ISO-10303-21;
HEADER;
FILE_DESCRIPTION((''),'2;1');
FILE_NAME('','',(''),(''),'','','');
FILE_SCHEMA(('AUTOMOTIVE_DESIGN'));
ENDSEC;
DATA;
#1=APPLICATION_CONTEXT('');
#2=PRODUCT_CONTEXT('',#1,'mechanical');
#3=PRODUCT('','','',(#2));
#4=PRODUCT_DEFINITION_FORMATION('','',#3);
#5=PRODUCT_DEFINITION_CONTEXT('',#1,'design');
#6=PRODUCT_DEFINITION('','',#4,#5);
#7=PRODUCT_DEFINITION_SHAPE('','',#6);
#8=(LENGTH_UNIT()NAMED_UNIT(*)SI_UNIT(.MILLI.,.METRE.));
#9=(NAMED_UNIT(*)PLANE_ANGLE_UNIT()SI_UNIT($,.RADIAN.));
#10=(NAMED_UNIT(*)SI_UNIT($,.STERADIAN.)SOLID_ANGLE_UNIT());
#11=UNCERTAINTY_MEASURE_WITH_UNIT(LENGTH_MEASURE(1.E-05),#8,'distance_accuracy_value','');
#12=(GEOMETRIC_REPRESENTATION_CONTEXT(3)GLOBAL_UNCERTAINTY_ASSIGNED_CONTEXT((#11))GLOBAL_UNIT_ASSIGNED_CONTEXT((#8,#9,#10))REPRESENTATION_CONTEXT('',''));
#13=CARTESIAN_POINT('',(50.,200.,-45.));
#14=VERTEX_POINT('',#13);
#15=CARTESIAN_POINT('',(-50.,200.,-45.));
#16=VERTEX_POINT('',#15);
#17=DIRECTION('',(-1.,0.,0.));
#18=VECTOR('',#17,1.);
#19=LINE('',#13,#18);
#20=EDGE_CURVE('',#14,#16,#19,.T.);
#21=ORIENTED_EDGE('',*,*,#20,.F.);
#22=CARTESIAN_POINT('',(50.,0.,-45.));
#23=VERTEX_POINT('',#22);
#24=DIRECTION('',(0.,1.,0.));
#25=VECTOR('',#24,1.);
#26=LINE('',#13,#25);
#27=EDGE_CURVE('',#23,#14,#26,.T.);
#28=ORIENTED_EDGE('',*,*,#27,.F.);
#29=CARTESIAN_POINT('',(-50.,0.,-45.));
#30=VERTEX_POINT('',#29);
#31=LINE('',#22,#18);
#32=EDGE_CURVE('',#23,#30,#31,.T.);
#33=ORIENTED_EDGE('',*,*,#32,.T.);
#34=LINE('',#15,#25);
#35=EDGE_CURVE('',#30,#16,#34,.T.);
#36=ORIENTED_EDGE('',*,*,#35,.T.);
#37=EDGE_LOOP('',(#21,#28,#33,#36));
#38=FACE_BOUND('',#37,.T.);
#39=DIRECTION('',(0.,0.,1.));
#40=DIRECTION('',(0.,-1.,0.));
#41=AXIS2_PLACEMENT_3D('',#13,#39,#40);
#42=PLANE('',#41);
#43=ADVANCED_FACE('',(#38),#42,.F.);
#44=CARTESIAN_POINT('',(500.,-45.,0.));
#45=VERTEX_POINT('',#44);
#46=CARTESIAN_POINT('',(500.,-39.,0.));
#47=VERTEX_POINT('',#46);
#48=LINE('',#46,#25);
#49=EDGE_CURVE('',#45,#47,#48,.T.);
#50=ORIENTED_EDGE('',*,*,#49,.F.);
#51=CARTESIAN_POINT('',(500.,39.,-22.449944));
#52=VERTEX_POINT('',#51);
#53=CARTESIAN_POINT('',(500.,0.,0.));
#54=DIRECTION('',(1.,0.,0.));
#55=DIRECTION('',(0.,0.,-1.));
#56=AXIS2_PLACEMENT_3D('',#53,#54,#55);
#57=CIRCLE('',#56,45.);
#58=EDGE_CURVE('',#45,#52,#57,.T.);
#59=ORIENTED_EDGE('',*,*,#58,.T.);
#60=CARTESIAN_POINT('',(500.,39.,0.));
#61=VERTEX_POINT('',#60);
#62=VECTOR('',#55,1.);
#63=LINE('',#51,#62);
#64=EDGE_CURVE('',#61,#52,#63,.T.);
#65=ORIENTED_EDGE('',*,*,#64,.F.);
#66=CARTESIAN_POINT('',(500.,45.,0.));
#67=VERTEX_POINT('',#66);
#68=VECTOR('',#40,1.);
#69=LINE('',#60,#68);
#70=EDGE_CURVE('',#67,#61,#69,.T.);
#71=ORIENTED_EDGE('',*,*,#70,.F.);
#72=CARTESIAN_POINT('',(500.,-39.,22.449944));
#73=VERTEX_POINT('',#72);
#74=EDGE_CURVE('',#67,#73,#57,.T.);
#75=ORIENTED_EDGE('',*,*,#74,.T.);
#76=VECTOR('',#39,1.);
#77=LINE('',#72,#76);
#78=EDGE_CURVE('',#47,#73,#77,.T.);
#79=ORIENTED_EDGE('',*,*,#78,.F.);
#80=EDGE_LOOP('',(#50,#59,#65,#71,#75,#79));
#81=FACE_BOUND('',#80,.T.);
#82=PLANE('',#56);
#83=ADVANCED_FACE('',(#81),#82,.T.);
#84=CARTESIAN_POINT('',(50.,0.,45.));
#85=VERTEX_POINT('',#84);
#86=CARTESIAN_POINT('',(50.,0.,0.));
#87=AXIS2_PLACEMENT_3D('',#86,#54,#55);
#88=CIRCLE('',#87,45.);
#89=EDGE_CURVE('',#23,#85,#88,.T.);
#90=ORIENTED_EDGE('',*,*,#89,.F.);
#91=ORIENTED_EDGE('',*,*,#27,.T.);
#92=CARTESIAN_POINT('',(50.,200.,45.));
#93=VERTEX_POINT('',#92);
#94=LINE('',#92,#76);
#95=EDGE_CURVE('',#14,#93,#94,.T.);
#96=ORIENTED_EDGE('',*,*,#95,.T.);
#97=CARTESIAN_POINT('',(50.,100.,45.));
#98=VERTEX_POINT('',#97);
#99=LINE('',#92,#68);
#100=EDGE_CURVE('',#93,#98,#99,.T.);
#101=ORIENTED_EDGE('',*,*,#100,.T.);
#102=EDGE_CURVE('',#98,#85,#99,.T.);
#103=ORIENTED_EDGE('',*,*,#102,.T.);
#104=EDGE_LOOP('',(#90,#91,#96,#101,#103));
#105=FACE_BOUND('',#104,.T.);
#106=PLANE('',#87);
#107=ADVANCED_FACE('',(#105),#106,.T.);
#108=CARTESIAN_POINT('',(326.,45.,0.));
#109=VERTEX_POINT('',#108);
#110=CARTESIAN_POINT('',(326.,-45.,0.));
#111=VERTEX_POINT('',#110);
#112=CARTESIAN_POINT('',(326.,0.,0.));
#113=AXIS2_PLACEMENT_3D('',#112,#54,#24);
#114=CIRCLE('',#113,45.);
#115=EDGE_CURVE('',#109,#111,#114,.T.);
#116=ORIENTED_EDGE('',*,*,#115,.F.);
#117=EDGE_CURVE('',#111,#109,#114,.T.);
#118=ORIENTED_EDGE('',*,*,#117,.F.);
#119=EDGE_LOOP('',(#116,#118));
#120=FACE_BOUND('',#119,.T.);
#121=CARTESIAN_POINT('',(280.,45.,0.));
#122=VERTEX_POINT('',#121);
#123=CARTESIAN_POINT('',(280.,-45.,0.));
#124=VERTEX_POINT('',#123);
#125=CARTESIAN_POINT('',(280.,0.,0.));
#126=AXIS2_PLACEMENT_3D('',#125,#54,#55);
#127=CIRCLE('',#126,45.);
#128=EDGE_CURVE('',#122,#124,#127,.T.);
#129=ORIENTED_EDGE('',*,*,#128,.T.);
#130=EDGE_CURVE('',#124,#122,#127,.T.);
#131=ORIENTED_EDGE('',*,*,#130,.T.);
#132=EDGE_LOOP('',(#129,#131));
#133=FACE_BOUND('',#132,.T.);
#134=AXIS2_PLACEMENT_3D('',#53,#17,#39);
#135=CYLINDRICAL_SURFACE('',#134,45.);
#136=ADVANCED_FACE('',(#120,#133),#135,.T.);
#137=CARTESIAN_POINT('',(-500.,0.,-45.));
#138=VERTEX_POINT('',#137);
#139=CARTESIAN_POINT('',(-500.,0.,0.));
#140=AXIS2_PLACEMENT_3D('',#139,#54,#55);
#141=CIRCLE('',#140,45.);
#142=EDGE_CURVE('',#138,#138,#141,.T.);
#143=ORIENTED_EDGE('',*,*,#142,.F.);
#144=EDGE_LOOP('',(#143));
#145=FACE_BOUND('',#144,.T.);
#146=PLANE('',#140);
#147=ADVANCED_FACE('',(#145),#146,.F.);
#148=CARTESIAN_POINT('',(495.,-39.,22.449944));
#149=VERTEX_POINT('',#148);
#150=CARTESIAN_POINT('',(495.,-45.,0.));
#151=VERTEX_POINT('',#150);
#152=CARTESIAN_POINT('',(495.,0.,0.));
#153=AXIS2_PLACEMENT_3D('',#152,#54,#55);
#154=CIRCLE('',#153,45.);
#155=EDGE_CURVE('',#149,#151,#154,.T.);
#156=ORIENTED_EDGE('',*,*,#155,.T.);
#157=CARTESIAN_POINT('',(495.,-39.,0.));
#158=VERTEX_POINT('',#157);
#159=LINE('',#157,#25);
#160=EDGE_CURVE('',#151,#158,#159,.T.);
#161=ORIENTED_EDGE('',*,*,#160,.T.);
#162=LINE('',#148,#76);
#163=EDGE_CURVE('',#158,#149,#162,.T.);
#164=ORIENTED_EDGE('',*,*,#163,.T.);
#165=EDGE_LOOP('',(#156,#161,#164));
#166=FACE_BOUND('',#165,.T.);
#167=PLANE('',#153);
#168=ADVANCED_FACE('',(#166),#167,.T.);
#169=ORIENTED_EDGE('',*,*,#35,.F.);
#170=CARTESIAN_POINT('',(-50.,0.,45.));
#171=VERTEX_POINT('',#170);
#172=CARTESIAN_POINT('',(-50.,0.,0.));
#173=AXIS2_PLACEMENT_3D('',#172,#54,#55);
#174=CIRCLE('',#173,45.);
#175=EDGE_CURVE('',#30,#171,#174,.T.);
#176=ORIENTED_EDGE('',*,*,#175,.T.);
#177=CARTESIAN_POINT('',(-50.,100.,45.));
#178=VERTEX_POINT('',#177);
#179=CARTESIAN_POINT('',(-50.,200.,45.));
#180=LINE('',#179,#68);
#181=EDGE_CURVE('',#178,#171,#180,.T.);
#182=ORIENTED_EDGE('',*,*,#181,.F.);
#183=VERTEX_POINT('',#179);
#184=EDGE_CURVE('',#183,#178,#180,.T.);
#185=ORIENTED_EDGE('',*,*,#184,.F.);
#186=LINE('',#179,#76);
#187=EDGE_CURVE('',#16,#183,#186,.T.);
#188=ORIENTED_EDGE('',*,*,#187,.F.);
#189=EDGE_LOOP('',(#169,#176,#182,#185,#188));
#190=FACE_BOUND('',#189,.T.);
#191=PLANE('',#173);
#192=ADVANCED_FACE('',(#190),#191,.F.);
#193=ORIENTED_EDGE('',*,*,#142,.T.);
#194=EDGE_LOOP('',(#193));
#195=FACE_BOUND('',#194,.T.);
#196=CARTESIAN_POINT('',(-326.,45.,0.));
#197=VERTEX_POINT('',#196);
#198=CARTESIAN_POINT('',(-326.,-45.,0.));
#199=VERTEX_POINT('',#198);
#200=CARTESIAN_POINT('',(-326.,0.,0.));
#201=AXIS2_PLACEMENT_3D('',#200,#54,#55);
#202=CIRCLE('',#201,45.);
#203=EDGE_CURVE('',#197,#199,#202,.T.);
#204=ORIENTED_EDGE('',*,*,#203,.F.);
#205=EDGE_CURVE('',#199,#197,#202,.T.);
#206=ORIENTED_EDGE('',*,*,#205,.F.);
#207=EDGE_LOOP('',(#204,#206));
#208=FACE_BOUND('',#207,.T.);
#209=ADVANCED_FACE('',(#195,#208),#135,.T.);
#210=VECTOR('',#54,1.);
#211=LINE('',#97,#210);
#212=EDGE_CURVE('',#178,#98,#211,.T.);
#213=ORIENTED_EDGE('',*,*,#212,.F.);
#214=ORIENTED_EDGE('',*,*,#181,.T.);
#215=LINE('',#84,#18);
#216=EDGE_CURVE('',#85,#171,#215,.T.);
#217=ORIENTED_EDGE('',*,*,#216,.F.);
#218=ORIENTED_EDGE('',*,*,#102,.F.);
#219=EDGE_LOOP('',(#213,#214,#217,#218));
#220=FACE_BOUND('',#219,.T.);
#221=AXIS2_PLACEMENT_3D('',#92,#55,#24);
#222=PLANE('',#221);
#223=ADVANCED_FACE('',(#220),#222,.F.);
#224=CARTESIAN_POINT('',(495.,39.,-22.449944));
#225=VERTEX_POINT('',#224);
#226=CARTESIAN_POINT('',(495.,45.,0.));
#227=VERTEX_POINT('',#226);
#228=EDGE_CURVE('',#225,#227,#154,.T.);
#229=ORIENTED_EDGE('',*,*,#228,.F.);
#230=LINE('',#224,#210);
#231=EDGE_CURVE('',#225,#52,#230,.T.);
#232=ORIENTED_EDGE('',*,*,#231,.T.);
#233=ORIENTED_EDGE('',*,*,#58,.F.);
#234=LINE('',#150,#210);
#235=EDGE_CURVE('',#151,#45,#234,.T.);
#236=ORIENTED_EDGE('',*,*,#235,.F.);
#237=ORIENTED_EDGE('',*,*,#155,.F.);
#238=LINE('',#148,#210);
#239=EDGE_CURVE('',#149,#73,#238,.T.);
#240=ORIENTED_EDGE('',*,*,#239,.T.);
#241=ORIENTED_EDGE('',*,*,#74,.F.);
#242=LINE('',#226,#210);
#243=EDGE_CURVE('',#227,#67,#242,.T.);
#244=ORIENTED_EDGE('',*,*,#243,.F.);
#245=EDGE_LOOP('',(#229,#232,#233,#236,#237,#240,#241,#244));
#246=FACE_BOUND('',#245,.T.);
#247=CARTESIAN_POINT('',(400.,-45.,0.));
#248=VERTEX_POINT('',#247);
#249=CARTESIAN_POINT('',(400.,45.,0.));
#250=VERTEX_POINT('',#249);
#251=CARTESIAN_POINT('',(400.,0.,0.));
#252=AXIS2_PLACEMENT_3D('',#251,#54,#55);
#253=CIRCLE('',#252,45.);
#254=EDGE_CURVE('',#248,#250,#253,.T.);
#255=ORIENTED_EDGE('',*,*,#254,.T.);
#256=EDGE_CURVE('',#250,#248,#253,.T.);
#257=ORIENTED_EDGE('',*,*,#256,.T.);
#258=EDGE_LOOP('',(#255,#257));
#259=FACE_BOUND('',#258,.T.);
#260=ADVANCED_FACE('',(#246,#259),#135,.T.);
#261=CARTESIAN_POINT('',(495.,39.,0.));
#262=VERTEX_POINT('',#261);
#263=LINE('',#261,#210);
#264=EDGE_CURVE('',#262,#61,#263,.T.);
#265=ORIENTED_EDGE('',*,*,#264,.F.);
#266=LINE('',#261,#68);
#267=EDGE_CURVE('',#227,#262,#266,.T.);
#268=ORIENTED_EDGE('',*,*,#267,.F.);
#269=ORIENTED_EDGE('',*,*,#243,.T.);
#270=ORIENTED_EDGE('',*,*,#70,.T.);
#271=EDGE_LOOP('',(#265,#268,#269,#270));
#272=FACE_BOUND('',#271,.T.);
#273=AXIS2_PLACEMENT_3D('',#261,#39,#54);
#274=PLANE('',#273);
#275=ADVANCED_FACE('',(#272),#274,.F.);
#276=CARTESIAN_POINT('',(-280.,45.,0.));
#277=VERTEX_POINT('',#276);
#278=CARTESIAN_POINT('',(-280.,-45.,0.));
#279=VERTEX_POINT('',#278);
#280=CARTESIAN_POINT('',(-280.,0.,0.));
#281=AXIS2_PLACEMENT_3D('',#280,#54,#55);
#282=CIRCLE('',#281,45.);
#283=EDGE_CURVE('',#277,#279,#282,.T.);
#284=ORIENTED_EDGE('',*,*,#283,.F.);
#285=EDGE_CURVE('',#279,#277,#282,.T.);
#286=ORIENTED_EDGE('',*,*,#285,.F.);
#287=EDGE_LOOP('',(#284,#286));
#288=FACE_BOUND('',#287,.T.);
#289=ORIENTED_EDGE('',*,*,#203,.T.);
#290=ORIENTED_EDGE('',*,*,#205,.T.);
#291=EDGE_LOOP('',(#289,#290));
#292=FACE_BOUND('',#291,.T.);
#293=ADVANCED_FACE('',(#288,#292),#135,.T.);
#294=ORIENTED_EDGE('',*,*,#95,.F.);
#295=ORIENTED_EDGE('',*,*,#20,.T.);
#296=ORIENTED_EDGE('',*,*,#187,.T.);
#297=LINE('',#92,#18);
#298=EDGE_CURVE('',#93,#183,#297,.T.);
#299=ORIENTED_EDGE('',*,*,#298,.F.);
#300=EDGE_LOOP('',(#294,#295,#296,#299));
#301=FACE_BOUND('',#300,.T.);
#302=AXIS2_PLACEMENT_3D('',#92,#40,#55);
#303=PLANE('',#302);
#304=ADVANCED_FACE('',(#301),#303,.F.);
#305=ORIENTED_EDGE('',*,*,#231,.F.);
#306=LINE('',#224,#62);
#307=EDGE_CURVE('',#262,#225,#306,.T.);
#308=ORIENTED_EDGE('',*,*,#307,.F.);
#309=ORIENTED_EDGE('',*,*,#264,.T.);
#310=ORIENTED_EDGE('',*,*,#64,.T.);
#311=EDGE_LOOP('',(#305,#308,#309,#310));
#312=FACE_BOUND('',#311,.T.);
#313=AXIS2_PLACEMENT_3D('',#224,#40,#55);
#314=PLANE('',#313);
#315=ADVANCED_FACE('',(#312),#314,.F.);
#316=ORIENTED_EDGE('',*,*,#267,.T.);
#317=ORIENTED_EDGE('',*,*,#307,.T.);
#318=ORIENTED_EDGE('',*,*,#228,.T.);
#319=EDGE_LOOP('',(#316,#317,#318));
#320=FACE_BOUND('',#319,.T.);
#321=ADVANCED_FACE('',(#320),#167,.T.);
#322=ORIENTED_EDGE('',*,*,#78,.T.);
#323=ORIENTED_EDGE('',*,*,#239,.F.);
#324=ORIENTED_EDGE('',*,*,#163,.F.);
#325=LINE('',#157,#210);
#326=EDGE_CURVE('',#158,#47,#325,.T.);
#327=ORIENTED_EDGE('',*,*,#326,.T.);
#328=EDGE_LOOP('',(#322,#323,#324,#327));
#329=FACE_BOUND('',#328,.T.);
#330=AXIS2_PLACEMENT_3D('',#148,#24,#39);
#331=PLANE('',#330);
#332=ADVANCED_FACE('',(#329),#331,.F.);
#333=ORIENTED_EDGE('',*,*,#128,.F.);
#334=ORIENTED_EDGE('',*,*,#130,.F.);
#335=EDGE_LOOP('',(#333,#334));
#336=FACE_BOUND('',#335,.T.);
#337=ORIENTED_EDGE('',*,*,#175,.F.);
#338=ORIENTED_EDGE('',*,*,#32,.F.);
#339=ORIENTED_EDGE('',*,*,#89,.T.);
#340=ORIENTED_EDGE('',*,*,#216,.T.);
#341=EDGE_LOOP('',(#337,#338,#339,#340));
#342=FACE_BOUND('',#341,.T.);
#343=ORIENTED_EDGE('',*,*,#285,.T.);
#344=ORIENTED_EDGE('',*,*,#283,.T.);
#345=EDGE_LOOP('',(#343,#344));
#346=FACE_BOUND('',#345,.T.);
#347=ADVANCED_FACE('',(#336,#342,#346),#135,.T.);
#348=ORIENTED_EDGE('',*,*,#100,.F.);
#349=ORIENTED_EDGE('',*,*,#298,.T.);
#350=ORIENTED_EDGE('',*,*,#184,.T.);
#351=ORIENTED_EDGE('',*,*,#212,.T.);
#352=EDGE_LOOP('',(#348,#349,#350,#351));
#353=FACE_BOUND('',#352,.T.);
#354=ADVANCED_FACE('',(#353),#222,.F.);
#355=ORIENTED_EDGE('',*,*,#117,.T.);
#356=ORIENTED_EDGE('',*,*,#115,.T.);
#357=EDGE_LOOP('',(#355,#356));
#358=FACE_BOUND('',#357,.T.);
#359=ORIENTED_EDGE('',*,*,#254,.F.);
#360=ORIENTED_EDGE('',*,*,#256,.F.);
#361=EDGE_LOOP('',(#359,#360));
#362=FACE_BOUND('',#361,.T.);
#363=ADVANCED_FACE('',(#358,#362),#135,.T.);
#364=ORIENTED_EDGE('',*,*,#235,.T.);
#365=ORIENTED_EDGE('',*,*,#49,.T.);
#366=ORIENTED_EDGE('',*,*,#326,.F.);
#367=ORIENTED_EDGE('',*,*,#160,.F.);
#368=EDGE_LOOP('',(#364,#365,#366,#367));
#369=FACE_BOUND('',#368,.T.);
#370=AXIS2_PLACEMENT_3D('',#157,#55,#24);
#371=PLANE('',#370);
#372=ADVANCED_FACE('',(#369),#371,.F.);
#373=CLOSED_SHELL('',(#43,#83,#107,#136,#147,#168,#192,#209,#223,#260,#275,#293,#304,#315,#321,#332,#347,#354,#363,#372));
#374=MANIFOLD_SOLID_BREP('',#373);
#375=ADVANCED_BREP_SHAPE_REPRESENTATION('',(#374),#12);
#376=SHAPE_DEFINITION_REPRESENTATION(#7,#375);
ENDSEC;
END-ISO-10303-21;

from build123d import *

# Parameters (mm, degrees)
ESQUISSE1_R             = 45
BOSS_EXTRU_1_DEPTH      = 500
ESQUISSE2_W             = 90
ESQUISSE2_H             = 200
BOSS_EXTRU_2_DEPTH      = 50
ESQUISSE7_W             = 22.449944321
ESQUISSE7_H             = 6
ENL_V_MAT_EXTRU_1_DEPTH = 5


with BuildPart() as part:
    # Esquisse1 → Boss.-Extru.1 (new body, symmetric)
    with BuildSketch(Plane(origin=(0, 0, 0), x_dir=(0, 0, -1), z_dir=(1, 0, 0))):
        Circle(ESQUISSE1_R)
    extrude(amount=BOSS_EXTRU_1_DEPTH, both=True)

    # Esquisse2 → Boss.-Extru.2 (add, symmetric)
    with BuildSketch(Plane(origin=(0, 0, 0), x_dir=(0, 0, -1), z_dir=(1, 0, 0))):
        with Locations((0, 100)):
            Rectangle(ESQUISSE2_W, ESQUISSE2_H)
    extrude(amount=BOSS_EXTRU_2_DEPTH, both=True)

    # Esquisse7 → Enlèv. mat.-Extru.1 (cut)
    with BuildSketch(Plane(origin=(500, 0, 0), x_dir=(0, 0, -1), z_dir=(1, 0, 0))):
        with Locations((11.224972161, 42)):
            Rectangle(ESQUISSE7_W, ESQUISSE7_H)
        with Locations((-11.224972161, -42)):
            Rectangle(ESQUISSE7_W, ESQUISSE7_H)
    extrude(amount=-ENL_V_MAT_EXTRU_1_DEPTH, mode=Mode.SUBTRACT)


solid = part.part
